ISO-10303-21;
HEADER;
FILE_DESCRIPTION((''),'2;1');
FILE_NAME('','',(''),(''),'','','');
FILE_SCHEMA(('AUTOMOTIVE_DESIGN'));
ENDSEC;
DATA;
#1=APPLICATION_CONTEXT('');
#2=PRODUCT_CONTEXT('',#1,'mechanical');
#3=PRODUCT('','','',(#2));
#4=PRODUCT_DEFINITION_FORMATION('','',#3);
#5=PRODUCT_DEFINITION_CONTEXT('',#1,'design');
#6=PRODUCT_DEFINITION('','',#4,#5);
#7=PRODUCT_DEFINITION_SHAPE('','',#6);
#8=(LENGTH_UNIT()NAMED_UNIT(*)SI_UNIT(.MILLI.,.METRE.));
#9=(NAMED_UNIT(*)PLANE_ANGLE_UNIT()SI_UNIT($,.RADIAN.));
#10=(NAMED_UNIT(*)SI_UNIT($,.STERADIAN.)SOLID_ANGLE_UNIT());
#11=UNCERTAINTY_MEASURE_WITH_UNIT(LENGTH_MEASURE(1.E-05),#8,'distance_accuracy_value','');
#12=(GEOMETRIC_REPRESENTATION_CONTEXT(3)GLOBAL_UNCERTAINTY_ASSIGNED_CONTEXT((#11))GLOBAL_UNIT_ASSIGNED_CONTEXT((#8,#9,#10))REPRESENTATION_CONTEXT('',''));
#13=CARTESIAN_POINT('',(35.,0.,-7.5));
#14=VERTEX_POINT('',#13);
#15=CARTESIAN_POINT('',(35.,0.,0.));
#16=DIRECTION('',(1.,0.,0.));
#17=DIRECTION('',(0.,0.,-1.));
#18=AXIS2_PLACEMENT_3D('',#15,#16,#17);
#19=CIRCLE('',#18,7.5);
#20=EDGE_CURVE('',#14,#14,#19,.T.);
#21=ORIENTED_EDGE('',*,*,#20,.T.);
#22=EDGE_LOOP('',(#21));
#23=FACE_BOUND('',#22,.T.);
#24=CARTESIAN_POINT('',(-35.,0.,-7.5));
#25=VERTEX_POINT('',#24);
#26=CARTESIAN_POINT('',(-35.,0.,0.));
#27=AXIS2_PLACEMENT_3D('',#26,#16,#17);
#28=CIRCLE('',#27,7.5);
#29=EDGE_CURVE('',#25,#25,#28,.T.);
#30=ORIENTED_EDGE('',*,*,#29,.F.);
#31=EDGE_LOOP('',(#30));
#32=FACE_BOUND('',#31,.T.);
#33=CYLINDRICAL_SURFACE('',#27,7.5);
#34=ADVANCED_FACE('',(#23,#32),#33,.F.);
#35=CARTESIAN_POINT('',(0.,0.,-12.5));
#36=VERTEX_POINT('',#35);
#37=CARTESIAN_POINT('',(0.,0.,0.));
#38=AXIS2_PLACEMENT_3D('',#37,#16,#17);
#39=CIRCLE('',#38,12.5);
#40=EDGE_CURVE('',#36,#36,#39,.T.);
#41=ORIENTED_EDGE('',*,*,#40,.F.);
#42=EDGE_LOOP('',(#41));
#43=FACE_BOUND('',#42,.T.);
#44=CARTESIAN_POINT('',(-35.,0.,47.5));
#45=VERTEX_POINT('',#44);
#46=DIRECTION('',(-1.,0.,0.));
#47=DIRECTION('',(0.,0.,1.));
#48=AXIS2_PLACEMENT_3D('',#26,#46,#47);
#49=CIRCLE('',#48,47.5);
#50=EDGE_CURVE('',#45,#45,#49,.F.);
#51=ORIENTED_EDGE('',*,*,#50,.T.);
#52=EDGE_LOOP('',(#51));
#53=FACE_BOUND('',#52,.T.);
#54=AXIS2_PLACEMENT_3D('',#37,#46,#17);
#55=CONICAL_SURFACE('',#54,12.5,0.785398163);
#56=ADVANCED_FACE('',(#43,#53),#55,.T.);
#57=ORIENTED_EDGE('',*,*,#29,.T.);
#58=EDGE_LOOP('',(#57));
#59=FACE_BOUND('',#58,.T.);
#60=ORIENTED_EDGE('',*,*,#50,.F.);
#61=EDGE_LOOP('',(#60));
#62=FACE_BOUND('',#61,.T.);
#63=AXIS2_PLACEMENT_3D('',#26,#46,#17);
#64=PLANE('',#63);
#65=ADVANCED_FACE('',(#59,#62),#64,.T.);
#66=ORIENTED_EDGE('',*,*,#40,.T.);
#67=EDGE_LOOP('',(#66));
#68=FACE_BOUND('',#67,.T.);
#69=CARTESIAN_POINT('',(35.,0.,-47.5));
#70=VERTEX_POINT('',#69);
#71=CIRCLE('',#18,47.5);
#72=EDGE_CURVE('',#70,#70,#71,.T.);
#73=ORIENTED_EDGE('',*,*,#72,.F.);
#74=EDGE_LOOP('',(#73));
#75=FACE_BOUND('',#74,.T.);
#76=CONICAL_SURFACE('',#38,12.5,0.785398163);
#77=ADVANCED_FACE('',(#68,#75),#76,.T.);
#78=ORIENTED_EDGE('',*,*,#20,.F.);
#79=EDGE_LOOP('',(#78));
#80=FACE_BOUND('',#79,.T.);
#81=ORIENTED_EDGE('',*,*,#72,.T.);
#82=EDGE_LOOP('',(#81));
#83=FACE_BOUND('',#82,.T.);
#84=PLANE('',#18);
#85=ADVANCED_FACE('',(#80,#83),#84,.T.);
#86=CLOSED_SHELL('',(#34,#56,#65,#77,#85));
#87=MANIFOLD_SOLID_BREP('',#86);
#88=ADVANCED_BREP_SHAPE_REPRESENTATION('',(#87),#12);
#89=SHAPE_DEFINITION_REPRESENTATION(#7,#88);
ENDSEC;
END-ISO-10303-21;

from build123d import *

# Parameters (mm, degrees)
SKETCH1_R              = 12.5
BOSS_EXTRUDE1_DEPTH    = 35
BOSS_EXTRUDE1_TAPER    = -45
SKETCH2_R              = 7.5
SUPPORT_ARM_HOLE_DEPTH = 71.0000001


with BuildPart() as part:
    # Sketch1 → Boss-Extrude1 (new body)
    with BuildSketch(Plane(origin=(0, 0, 0), x_dir=(0, 0, -1), z_dir=(1, 0, 0))):
        Circle(SKETCH1_R)
    boss_extrude1 = extrude(amount=BOSS_EXTRUDE1_DEPTH, taper=BOSS_EXTRUDE1_TAPER)

    # Mirror1: Boss-Extrude1 across plane
    add(boss_extrude1.mirror(Plane(origin=(0, 0, 0), x_dir=(0, 0, 1), z_dir=(1, 0, 0))))

    # Sketch2 → Support Arm Hole (cut, through all)
    with BuildSketch(Plane(origin=(35, 0, 0), x_dir=(0, 0, -1), z_dir=(1, 0, 0))):
        Circle(SKETCH2_R)
    extrude(amount=-SUPPORT_ARM_HOLE_DEPTH, mode=Mode.SUBTRACT)


solid = part.part
